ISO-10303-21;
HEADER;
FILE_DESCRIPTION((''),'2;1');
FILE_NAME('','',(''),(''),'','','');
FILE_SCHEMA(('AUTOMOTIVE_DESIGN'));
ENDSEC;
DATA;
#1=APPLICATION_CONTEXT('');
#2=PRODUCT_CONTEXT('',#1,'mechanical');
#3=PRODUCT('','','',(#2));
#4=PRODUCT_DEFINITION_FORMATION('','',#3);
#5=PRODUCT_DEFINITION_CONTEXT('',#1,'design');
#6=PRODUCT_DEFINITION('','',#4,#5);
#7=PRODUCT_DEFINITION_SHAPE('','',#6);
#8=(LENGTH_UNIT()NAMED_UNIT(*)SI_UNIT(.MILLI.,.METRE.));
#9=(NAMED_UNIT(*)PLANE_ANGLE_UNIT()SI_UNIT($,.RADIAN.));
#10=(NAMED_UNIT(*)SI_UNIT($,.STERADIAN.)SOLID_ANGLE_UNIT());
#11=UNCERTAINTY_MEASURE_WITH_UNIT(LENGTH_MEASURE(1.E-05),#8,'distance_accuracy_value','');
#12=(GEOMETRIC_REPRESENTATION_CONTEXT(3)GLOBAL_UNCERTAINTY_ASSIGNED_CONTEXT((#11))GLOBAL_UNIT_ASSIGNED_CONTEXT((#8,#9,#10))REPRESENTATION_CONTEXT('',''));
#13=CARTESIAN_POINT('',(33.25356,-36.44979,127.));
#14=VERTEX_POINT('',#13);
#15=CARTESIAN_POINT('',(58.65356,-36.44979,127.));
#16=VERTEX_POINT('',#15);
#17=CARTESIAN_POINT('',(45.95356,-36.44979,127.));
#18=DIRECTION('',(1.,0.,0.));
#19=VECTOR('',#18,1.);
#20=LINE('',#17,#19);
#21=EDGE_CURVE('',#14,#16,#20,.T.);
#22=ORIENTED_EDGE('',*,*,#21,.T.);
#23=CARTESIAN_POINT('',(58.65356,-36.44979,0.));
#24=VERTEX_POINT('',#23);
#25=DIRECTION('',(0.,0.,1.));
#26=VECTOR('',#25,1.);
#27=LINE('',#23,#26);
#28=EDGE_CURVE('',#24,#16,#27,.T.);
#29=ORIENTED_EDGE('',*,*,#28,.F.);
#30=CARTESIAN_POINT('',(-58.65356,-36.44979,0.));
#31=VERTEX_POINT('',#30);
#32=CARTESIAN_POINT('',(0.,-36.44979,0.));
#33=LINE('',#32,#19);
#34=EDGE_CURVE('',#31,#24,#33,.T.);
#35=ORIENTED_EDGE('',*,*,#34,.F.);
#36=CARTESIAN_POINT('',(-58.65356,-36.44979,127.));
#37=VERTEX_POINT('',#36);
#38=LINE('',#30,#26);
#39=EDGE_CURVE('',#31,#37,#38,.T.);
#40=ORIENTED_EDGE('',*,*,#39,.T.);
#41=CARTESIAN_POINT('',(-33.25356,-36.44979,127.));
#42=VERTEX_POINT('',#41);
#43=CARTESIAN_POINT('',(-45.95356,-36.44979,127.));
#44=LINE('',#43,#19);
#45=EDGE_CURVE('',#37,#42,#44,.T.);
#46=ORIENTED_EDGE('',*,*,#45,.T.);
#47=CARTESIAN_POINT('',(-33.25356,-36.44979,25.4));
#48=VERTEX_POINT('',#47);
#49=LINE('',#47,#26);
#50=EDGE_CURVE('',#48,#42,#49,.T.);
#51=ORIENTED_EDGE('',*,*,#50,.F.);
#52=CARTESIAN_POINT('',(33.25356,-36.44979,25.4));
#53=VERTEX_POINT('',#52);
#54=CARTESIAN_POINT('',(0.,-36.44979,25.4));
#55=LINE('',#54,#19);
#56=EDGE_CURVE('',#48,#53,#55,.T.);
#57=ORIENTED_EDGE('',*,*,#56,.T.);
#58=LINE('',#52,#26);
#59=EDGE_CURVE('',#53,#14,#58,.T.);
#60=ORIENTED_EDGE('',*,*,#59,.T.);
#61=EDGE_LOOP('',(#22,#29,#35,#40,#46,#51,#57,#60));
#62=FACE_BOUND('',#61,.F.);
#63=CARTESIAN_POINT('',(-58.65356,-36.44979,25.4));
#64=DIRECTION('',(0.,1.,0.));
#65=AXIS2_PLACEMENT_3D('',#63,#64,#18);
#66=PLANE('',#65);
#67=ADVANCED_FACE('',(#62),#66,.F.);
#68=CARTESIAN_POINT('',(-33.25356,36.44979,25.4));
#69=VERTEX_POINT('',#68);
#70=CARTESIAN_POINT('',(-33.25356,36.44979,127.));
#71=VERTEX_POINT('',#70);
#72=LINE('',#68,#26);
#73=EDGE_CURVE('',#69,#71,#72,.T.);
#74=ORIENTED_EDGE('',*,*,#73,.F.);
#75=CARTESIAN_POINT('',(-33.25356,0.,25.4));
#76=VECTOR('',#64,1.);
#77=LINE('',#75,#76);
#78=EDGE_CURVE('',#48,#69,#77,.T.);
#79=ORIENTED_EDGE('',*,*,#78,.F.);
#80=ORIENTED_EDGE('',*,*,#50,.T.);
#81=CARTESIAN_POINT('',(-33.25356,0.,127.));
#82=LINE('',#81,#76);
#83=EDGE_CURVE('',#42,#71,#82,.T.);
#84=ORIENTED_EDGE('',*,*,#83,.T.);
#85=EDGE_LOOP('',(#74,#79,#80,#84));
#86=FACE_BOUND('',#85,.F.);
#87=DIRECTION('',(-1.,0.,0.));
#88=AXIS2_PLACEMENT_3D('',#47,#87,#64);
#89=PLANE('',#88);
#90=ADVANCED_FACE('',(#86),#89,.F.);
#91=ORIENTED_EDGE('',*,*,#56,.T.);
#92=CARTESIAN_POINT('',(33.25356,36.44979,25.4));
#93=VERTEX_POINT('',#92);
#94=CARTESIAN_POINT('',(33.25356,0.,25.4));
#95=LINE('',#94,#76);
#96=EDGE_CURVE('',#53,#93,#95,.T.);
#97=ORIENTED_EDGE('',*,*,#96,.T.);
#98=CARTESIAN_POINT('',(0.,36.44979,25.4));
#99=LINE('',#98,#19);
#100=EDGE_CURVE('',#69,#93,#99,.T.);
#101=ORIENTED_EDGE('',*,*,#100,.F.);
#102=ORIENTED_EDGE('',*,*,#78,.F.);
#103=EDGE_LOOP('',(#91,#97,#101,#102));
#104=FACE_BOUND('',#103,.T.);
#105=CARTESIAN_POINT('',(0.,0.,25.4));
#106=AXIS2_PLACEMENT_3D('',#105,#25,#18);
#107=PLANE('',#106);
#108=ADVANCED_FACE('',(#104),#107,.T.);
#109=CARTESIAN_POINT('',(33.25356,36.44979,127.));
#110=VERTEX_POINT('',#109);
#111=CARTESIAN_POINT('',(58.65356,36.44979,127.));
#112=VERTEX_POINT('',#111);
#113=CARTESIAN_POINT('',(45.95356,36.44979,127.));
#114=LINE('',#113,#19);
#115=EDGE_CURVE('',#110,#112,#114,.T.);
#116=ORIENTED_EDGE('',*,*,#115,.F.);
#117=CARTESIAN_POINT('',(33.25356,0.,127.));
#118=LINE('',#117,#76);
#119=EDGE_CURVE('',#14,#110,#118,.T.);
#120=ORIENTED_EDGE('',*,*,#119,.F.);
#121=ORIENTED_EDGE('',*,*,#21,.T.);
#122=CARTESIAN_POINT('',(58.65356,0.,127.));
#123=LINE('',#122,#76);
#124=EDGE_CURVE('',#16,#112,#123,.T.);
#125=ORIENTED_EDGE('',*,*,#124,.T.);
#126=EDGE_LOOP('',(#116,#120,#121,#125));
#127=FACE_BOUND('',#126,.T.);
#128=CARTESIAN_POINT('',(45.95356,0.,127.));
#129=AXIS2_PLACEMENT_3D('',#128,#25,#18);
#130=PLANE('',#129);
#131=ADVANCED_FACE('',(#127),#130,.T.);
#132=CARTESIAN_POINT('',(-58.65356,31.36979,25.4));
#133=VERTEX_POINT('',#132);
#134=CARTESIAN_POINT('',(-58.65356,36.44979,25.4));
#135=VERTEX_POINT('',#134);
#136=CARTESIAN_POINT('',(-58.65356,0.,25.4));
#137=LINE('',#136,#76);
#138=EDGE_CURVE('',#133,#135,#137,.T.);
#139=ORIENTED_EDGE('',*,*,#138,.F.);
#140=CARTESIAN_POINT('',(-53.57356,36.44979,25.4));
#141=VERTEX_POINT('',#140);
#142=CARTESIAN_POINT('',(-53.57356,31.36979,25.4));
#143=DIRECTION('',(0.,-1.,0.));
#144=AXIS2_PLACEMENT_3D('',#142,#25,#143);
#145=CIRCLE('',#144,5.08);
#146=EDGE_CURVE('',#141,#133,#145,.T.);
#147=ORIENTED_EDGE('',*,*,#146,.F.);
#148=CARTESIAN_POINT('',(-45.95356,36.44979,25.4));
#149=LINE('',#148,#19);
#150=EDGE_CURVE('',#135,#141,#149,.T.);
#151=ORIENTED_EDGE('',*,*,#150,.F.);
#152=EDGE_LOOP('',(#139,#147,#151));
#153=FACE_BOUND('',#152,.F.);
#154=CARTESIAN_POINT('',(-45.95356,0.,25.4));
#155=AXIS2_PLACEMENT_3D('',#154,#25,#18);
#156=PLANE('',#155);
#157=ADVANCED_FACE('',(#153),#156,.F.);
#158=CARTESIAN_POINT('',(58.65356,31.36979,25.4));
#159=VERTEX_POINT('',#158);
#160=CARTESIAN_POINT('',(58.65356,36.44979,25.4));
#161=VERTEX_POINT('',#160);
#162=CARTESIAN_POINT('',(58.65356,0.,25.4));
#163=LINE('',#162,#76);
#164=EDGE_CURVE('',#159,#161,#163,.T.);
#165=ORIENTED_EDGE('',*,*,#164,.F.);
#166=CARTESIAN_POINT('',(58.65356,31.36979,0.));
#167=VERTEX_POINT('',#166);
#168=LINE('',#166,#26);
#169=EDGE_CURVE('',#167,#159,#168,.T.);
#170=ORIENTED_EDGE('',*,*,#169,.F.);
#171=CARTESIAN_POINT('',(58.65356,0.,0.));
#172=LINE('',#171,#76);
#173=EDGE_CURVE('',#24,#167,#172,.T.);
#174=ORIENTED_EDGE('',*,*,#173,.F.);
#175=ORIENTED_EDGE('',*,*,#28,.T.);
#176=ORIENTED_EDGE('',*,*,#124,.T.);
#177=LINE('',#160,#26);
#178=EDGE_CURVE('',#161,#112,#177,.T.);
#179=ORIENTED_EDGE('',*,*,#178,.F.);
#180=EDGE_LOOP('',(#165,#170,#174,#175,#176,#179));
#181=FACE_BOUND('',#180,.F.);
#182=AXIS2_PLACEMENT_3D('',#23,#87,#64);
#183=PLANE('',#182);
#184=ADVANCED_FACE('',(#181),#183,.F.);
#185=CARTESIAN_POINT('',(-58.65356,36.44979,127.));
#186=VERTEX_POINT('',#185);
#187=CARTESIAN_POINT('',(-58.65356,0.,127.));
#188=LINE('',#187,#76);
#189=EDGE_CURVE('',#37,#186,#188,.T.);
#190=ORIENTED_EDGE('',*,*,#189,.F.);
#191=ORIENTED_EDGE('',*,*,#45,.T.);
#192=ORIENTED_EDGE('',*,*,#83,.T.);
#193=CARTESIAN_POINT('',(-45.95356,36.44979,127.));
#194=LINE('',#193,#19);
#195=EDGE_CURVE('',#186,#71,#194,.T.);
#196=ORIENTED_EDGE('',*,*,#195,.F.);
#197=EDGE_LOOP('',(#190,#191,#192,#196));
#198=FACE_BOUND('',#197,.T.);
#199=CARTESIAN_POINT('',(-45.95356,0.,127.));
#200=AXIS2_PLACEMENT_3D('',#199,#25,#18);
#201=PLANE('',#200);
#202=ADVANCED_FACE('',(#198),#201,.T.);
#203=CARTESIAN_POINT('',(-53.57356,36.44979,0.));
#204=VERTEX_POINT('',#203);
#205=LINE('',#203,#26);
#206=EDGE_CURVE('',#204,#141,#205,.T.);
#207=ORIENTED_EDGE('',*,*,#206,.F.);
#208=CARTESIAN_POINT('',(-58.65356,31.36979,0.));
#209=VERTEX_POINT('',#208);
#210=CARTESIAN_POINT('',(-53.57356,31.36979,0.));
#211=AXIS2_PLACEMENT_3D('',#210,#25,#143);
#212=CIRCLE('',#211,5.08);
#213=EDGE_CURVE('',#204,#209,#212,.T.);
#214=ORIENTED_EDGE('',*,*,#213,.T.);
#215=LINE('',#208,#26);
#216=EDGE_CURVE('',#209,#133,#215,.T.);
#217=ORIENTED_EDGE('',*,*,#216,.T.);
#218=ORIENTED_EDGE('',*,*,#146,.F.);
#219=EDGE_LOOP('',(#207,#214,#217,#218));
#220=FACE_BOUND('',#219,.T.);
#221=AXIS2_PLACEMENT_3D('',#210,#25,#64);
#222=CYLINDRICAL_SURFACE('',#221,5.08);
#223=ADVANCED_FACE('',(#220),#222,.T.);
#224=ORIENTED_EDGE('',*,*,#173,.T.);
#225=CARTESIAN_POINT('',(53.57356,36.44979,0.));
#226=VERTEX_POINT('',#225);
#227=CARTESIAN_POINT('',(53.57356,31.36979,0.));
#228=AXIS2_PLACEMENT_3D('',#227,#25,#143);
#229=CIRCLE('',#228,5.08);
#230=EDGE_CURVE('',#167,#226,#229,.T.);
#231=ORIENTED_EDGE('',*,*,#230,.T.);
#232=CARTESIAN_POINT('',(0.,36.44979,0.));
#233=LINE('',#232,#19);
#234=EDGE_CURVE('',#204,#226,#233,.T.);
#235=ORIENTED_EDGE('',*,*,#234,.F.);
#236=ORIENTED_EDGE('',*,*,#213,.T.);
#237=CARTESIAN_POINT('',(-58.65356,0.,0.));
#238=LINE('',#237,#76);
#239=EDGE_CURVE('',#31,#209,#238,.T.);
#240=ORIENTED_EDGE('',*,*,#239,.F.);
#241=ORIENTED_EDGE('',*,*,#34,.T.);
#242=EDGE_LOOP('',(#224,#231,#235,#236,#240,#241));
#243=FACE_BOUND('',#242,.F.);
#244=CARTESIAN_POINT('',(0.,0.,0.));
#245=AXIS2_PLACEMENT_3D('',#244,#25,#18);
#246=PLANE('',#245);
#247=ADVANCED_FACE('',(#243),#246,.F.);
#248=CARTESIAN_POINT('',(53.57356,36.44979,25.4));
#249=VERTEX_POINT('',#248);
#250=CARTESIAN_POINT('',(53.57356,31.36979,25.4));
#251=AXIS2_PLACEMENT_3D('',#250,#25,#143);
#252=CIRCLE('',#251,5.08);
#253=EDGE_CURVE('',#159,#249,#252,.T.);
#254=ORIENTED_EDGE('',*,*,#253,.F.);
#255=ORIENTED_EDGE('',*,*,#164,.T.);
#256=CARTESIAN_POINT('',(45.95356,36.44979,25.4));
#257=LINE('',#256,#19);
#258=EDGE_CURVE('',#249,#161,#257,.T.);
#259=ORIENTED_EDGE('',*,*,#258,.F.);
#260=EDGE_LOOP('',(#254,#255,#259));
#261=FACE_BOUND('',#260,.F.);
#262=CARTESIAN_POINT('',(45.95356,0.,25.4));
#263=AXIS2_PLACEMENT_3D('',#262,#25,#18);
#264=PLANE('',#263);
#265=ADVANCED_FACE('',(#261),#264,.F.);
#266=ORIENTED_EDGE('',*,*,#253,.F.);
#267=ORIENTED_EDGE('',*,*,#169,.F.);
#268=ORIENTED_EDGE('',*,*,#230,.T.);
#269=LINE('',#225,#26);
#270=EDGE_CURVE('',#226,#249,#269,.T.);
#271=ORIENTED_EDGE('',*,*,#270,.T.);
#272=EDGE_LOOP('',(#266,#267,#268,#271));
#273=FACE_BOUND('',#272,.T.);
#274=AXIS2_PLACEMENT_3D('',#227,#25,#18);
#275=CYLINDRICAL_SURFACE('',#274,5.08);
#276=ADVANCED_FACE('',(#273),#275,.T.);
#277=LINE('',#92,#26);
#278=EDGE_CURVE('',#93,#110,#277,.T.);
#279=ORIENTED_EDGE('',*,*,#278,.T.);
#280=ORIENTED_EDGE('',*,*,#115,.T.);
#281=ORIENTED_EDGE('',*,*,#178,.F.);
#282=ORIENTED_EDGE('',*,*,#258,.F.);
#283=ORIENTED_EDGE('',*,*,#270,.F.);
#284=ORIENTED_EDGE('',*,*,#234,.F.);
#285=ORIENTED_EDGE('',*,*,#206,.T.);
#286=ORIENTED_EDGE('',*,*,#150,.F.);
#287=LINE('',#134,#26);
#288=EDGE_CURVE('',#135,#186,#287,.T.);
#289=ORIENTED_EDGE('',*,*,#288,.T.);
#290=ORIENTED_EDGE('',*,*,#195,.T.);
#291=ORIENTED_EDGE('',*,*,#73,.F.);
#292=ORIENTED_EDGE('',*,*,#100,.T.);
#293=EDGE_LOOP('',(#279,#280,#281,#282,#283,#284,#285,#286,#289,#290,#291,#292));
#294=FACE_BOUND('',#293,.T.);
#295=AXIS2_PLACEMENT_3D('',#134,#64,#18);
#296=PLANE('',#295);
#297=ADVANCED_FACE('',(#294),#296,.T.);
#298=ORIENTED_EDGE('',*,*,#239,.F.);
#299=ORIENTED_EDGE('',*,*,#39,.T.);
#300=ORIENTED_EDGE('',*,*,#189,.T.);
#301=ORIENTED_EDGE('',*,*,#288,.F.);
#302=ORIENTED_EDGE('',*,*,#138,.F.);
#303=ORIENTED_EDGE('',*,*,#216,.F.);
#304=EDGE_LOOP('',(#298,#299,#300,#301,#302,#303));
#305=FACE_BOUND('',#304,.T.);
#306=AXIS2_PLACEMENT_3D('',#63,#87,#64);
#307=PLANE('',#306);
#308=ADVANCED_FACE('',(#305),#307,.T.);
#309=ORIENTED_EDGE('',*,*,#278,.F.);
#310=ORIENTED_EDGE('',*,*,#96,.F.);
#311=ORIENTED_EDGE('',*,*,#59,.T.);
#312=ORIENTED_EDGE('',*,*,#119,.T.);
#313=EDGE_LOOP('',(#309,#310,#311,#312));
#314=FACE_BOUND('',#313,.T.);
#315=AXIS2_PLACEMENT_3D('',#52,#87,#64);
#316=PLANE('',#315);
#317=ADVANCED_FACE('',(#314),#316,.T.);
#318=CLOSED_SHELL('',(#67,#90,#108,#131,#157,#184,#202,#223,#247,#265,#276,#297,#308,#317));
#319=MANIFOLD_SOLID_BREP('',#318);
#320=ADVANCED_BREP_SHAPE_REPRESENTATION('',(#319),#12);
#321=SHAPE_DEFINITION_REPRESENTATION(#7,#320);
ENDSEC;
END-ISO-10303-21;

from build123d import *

# Parameters (mm, degrees)
F0_W     = 117.30712
F0_H     = 72.89958
F1_DEPTH = 25.4
F2_R     = 5.08
F3_R     = 5.08
F4_W     = 25.4
F4_H     = 72.89958
F5_DEPTH = 101.6


with BuildPart() as f1:
    # F0 (on Top) → F1 (new body)
    with BuildSketch(Plane.XY):
        Rectangle(F0_W, F0_H)
    extrude(amount=F1_DEPTH)

    # F2
    f2_edges = [f1.edges().sort_by_distance(p)[0] for p in [
        (58.65356, 36.44979, 12.7),
    ]]
    fillet(f2_edges, radius=F2_R)

    # F3
    f3_edges = [f1.edges().sort_by_distance(p)[0] for p in [
        (-58.65356, 36.44979, 12.7),
    ]]
    fillet(f3_edges, radius=F3_R)

    # F4 (on face) → F5 (join)
    with BuildSketch(Plane.XY.offset(25.4)):
        with Locations((-45.95356, 0)):
            Rectangle(F4_W, F4_H)
        with Locations((45.95356, 0)):
            Rectangle(F4_W, F4_H)
    extrude(amount=F5_DEPTH)


solid = f1.part
